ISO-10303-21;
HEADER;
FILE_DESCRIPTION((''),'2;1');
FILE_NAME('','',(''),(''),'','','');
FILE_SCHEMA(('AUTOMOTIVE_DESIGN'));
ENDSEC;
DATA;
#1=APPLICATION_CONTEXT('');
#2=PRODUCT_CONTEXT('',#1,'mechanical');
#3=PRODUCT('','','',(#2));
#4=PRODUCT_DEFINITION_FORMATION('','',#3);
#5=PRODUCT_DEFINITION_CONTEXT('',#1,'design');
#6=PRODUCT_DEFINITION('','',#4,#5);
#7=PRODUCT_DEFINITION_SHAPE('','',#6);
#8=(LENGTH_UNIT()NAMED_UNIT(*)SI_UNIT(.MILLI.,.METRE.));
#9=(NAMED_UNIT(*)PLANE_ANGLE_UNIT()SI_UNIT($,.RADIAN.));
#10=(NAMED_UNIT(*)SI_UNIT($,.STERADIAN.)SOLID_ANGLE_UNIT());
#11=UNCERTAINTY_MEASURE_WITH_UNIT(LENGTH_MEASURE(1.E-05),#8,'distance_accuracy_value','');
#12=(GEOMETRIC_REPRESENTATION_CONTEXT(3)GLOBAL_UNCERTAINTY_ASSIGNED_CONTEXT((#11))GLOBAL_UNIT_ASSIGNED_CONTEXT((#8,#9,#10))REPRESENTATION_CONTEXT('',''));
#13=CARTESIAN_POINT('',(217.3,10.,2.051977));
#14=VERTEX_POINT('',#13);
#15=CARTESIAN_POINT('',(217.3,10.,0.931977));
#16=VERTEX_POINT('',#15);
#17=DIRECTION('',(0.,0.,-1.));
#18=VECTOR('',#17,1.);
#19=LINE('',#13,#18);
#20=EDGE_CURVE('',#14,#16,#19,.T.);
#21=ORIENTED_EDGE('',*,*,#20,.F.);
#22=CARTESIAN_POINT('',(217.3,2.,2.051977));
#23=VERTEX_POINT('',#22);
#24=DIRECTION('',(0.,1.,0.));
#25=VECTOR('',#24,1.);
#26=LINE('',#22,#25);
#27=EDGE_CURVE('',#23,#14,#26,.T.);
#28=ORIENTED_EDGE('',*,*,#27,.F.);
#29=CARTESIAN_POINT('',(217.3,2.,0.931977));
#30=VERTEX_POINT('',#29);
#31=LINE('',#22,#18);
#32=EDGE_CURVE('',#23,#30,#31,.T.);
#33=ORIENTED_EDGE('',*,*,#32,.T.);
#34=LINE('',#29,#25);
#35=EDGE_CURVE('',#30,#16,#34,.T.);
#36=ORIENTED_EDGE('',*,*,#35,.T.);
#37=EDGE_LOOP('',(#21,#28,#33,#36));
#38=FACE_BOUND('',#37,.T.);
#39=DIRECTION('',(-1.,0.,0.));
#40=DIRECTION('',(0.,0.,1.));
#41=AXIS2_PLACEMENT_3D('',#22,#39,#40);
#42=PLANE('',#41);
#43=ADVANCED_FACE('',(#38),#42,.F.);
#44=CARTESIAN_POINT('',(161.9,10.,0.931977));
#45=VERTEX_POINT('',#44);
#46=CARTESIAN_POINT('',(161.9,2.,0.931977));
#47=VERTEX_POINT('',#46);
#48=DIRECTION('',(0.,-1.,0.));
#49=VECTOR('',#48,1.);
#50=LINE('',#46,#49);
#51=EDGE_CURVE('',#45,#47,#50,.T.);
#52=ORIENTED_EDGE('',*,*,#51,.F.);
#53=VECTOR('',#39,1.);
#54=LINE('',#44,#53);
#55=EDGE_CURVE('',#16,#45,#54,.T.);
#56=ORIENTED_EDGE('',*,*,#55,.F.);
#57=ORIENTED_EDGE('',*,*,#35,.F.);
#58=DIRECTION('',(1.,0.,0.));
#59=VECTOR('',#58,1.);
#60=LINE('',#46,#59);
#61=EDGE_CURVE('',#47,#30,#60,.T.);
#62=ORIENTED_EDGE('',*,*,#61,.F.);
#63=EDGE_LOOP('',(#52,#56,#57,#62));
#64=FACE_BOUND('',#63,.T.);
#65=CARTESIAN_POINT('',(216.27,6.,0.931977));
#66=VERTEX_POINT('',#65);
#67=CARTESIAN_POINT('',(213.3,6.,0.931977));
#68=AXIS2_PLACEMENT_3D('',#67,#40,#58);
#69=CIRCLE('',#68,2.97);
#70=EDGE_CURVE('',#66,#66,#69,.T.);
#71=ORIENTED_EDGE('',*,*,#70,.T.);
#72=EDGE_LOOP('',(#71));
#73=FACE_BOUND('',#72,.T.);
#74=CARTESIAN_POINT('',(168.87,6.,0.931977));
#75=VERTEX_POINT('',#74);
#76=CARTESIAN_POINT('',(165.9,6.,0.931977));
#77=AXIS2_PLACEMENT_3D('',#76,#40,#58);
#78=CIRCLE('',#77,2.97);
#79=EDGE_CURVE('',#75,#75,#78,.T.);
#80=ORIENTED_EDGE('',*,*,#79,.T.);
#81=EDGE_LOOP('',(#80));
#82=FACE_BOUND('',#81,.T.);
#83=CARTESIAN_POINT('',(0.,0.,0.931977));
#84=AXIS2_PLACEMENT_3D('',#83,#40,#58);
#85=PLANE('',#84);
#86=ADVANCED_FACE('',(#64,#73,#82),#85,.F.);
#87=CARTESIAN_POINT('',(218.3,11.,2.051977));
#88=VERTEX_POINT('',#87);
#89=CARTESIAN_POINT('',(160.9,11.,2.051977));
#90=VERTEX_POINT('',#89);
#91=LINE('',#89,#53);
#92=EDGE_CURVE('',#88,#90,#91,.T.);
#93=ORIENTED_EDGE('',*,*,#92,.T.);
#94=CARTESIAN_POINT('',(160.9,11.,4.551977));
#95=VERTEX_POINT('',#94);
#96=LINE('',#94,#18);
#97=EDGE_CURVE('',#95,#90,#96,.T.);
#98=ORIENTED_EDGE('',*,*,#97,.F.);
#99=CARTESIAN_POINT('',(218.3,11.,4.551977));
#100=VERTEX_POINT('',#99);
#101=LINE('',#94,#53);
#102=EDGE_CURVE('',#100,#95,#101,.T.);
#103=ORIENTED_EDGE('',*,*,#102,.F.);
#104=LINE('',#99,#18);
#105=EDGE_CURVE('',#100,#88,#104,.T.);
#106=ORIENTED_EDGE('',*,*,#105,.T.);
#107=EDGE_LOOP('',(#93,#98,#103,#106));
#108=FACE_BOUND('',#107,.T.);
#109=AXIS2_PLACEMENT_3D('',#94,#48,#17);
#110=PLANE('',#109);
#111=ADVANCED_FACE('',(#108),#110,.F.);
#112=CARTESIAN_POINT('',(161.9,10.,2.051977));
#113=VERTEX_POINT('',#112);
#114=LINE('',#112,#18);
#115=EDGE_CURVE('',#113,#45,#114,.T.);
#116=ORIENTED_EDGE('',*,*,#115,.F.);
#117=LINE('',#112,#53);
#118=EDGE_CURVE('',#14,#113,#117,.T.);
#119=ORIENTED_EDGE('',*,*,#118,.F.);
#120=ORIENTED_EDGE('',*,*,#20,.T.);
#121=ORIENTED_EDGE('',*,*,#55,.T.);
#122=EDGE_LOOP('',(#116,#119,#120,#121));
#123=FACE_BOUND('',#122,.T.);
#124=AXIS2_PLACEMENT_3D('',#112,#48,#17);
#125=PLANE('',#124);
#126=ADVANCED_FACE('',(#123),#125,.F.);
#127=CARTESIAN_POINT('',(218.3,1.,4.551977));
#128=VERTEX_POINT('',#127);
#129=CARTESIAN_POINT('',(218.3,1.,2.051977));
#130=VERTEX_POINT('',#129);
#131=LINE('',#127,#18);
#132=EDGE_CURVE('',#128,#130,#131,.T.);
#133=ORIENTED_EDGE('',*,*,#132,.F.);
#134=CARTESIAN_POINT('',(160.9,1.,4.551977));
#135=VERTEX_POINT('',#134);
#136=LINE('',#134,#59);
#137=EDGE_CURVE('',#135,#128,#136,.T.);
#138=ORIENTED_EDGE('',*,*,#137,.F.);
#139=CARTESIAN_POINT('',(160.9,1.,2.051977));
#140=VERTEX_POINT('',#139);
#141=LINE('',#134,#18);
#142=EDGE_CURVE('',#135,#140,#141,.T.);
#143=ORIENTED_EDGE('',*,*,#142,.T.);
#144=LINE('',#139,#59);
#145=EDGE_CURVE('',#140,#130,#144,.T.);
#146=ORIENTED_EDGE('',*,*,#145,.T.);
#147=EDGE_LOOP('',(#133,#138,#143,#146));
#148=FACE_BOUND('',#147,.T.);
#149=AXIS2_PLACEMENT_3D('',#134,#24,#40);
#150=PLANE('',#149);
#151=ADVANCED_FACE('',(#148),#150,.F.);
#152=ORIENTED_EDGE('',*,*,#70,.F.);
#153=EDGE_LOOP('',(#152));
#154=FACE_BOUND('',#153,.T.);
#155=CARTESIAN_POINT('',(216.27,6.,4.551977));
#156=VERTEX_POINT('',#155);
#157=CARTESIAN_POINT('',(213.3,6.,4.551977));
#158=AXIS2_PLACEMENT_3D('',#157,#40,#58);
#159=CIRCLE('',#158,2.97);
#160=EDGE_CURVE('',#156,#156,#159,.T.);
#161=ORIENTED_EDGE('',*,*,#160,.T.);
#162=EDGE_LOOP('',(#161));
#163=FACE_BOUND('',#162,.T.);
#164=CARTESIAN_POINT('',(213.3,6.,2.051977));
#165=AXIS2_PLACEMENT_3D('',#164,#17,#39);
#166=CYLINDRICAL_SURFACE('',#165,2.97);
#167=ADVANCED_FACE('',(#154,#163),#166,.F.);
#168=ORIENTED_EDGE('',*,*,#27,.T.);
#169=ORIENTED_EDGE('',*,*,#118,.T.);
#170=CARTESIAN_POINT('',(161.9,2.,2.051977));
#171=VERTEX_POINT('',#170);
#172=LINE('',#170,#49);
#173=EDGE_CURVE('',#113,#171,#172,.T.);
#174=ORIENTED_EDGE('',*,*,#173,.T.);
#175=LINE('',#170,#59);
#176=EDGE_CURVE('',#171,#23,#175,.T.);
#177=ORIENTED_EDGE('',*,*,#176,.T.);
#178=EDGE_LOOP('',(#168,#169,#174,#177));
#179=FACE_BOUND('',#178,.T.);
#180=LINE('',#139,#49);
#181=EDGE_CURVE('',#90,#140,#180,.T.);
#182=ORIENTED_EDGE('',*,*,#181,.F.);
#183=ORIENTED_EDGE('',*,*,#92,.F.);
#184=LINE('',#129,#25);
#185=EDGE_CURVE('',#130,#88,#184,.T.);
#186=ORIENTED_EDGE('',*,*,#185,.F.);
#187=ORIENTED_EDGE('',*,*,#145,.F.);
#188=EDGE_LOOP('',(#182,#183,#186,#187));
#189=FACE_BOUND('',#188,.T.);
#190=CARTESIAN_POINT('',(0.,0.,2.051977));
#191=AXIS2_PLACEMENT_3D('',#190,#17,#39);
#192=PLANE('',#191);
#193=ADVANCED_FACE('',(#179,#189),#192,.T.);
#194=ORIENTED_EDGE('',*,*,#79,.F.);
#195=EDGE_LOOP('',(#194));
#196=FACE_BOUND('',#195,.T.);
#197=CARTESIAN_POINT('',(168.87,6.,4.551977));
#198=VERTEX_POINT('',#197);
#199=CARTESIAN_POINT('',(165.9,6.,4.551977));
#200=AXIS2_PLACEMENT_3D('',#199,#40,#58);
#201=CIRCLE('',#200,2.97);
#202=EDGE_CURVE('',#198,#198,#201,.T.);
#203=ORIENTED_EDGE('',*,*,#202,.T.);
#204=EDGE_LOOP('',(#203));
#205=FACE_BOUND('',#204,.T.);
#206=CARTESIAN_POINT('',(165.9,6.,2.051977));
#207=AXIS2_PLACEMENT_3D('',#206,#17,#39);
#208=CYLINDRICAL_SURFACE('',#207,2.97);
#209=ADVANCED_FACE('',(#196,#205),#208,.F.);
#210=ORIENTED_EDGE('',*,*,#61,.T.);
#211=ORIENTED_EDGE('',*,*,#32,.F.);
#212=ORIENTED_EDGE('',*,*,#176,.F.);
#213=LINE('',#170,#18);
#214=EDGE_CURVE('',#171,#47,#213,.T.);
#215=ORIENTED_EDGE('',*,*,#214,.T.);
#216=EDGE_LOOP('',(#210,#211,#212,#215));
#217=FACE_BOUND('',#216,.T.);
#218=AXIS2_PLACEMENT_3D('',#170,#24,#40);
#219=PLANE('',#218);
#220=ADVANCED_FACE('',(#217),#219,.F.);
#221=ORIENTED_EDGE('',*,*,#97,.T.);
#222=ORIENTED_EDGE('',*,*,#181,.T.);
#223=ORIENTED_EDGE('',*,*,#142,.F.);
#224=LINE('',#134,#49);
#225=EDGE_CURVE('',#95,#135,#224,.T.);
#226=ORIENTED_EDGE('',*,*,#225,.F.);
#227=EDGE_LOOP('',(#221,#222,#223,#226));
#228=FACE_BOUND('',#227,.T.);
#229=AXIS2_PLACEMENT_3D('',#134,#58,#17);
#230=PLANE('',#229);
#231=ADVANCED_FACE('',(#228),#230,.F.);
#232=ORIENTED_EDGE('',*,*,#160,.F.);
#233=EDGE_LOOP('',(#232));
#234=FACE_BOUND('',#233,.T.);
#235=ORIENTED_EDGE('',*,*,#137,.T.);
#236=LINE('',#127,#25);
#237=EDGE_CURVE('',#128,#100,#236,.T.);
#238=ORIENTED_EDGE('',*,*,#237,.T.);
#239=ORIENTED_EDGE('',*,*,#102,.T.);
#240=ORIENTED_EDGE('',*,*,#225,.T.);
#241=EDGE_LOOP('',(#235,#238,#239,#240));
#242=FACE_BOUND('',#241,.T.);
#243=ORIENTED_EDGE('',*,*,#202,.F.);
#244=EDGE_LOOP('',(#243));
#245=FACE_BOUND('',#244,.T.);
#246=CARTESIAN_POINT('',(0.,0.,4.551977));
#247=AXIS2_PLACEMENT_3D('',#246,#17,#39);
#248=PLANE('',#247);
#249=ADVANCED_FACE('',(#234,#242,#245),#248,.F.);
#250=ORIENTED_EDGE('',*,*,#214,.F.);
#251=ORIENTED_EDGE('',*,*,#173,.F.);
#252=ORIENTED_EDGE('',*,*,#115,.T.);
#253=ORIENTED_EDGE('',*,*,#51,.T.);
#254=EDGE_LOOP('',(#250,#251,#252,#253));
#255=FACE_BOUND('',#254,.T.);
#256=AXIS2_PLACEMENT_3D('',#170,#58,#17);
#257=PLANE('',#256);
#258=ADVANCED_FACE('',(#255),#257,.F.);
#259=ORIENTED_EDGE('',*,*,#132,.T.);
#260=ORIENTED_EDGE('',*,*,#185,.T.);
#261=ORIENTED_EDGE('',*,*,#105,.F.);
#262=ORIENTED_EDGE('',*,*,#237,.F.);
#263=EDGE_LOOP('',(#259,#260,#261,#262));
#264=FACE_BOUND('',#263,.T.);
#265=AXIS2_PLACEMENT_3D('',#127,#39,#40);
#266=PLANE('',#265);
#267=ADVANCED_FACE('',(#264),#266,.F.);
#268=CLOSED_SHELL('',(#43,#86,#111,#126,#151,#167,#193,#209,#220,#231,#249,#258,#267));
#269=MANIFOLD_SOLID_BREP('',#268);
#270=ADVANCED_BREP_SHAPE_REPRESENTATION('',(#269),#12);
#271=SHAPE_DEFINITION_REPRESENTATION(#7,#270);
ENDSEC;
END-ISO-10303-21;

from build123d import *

# Parameters (mm, degrees)
SKETCH1_W           = 55.4
SKETCH1_H           = 8
SKETCH1_R           = 2.97
BOSS_EXTRUDE1_DEPTH = 1.12
SKETCH2_W           = 57.4
SKETCH2_H           = 10
SKETCH2_R           = 2.97
BOSS_EXTRUDE2_DEPTH = 2.5


with BuildPart() as part:
    # Sketch1 → Boss-Extrude1 (new body)
    with BuildSketch(Plane.XY.offset(0.931976945)):
        with Locations((189.6, 6)):
            Rectangle(SKETCH1_W, SKETCH1_H)
        with Locations((165.9, 6)):
            Circle(SKETCH1_R, mode=Mode.SUBTRACT)
        with Locations((213.3, 6)):
            Circle(SKETCH1_R, mode=Mode.SUBTRACT)
    extrude(amount=BOSS_EXTRUDE1_DEPTH)

    # Sketch2 → Boss-Extrude2 (add)
    with BuildSketch(Plane.XY.offset(2.051976945)):
        with Locations((189.6, 6)):
            Rectangle(SKETCH2_W, SKETCH2_H)
        with Locations((213.3, 6)):
            Circle(SKETCH2_R, mode=Mode.SUBTRACT)
        with Locations((165.9, 6)):
            Circle(SKETCH2_R, mode=Mode.SUBTRACT)
    extrude(amount=BOSS_EXTRUDE2_DEPTH)


solid = part.part
